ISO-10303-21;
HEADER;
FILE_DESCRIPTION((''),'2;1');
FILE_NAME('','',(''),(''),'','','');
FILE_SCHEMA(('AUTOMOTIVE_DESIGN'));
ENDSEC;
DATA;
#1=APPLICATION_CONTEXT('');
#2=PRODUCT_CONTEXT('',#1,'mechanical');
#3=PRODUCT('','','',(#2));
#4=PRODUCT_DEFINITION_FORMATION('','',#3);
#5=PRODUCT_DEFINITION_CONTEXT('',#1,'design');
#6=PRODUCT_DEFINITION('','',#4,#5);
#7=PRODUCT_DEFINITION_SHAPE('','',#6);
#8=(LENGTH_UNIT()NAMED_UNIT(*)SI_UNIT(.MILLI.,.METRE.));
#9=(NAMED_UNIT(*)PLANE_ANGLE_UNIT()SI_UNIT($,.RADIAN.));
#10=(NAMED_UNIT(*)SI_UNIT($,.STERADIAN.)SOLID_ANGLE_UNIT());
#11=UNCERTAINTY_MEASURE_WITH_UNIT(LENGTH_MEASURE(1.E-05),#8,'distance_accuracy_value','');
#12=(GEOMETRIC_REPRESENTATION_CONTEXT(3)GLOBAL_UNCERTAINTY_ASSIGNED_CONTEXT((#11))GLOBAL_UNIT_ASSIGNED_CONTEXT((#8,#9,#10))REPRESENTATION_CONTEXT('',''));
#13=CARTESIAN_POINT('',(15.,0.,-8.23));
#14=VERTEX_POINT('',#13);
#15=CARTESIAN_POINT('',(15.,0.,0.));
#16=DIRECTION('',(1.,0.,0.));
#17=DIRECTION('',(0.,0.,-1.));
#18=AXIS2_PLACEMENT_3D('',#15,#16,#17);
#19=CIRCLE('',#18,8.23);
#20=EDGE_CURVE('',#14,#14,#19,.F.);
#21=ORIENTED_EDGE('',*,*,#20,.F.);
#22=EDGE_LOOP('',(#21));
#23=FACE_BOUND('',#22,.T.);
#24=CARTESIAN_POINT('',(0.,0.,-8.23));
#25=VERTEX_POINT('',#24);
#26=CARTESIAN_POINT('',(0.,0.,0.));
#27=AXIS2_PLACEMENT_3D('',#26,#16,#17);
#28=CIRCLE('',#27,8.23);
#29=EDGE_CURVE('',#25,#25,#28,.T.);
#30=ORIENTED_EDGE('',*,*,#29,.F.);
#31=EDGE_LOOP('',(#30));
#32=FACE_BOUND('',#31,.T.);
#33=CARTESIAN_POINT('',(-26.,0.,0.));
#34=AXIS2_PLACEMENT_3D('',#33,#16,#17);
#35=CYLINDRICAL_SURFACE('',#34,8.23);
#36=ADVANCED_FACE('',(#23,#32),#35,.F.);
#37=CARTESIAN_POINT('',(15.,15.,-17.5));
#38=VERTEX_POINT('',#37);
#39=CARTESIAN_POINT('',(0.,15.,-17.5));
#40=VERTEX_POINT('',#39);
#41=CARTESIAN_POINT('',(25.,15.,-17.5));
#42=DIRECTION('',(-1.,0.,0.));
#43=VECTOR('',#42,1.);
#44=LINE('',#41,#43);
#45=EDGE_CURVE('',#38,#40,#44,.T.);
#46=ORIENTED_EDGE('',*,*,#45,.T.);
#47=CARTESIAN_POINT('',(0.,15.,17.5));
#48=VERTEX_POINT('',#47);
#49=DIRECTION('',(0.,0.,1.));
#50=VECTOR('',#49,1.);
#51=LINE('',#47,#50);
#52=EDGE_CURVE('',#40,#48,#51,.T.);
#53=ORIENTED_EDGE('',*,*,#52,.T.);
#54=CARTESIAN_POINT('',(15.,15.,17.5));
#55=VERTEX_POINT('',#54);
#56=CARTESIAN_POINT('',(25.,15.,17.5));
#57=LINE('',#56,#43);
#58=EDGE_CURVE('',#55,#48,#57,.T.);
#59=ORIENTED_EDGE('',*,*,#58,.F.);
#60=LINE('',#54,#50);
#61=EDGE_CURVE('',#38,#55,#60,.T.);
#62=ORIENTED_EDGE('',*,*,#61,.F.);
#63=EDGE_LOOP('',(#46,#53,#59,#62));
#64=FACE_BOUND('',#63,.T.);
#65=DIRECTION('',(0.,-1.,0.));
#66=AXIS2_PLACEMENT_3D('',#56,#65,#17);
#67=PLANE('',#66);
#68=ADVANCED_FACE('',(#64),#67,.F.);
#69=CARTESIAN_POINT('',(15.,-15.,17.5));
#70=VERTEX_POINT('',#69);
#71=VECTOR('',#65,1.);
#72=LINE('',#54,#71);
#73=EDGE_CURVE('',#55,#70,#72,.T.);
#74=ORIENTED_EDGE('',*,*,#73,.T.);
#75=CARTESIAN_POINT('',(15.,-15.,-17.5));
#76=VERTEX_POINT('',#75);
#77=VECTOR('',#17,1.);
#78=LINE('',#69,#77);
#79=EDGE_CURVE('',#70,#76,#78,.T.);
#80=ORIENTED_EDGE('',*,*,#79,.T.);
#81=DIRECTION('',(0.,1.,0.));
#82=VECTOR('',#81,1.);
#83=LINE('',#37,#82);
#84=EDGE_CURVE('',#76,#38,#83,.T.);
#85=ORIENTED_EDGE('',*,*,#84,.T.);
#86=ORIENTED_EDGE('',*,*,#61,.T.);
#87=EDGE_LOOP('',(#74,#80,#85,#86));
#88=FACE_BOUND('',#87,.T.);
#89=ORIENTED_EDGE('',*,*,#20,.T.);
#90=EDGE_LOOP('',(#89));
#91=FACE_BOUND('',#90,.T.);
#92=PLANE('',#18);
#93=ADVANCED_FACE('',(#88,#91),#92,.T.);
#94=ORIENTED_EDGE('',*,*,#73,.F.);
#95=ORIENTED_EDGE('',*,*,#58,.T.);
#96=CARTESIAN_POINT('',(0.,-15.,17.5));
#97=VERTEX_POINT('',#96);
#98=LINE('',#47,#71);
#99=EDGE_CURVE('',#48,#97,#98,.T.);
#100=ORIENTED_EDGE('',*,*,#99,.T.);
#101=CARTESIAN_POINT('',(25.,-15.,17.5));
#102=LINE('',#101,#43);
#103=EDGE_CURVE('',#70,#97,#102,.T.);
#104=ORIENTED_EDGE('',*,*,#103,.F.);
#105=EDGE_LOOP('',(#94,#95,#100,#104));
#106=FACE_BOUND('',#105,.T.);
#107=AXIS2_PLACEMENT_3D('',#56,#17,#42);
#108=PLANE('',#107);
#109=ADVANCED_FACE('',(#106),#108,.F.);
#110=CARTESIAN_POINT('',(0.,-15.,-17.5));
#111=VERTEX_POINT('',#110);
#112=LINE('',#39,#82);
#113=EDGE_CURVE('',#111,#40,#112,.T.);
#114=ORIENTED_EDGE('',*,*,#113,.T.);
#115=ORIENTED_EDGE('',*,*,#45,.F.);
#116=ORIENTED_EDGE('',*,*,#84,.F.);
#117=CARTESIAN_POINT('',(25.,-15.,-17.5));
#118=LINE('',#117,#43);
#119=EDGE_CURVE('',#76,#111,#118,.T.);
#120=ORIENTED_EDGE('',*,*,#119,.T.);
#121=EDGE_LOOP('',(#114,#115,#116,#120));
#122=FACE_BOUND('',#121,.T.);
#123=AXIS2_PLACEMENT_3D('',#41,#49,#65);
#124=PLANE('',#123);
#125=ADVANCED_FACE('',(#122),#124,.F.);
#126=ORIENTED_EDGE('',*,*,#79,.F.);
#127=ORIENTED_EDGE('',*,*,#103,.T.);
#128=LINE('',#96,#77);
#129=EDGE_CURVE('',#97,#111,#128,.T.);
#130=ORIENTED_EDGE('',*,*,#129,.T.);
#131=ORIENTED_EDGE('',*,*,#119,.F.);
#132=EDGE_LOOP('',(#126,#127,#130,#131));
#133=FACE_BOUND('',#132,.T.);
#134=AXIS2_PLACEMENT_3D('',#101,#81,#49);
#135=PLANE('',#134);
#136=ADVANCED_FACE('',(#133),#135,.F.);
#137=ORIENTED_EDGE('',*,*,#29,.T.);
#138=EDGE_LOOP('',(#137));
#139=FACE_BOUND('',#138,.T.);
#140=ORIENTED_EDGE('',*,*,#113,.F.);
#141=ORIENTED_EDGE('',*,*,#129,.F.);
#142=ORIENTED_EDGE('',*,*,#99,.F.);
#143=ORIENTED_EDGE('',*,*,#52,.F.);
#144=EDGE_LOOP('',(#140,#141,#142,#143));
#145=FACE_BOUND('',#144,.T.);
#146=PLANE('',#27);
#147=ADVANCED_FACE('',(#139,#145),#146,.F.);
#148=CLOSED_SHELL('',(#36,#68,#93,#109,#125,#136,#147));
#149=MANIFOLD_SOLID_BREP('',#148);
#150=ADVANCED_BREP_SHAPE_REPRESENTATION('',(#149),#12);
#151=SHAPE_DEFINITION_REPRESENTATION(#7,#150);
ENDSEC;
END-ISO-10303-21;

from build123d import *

# Parameters (mm, degrees)
SKETCH1_W           = 35
SKETCH1_H           = 30
BOSS_EXTRUDE1_DEPTH = 25
SKETCH2_R           = 8.23
CUT_EXTRUDE1_DEPTH  = 51
SKETCH3_W           = 35
SKETCH3_H           = 30
CUT_EXTRUDE2_DEPTH  = 5
SKETCH4_W           = 35
SKETCH4_H           = 30
CUT_EXTRUDE3_DEPTH  = 5


with BuildPart() as part:
    # Sketch1 → Boss-Extrude1 (new body)
    with BuildSketch(Plane(origin=(0, 0, 0), x_dir=(0, 0, -1), z_dir=(1, 0, 0))):
        Rectangle(SKETCH1_W, SKETCH1_H)
    extrude(amount=BOSS_EXTRUDE1_DEPTH)

    # Sketch2 → Cut-Extrude1 (cut)
    with BuildSketch(Plane(origin=(25, 0, 0), x_dir=(0, 0, -1), z_dir=(1, 0, 0))):
        Circle(SKETCH2_R)
    extrude(amount=-CUT_EXTRUDE1_DEPTH, mode=Mode.SUBTRACT)

    # Sketch3 → Cut-Extrude2 (cut)
    with BuildSketch(Plane(origin=(25, 0, 0), x_dir=(0, 0, -1), z_dir=(1, 0, 0))):
        Rectangle(SKETCH3_W, SKETCH3_H)
    extrude(amount=-CUT_EXTRUDE2_DEPTH, mode=Mode.SUBTRACT)

    # Sketch4 → Cut-Extrude3 (cut)
    with BuildSketch(Plane(origin=(20, 0, 0), x_dir=(0, 0, -1), z_dir=(1, 0, 0))):
        Rectangle(SKETCH4_W, SKETCH4_H)
    extrude(amount=-CUT_EXTRUDE3_DEPTH, mode=Mode.SUBTRACT)


solid = part.part
